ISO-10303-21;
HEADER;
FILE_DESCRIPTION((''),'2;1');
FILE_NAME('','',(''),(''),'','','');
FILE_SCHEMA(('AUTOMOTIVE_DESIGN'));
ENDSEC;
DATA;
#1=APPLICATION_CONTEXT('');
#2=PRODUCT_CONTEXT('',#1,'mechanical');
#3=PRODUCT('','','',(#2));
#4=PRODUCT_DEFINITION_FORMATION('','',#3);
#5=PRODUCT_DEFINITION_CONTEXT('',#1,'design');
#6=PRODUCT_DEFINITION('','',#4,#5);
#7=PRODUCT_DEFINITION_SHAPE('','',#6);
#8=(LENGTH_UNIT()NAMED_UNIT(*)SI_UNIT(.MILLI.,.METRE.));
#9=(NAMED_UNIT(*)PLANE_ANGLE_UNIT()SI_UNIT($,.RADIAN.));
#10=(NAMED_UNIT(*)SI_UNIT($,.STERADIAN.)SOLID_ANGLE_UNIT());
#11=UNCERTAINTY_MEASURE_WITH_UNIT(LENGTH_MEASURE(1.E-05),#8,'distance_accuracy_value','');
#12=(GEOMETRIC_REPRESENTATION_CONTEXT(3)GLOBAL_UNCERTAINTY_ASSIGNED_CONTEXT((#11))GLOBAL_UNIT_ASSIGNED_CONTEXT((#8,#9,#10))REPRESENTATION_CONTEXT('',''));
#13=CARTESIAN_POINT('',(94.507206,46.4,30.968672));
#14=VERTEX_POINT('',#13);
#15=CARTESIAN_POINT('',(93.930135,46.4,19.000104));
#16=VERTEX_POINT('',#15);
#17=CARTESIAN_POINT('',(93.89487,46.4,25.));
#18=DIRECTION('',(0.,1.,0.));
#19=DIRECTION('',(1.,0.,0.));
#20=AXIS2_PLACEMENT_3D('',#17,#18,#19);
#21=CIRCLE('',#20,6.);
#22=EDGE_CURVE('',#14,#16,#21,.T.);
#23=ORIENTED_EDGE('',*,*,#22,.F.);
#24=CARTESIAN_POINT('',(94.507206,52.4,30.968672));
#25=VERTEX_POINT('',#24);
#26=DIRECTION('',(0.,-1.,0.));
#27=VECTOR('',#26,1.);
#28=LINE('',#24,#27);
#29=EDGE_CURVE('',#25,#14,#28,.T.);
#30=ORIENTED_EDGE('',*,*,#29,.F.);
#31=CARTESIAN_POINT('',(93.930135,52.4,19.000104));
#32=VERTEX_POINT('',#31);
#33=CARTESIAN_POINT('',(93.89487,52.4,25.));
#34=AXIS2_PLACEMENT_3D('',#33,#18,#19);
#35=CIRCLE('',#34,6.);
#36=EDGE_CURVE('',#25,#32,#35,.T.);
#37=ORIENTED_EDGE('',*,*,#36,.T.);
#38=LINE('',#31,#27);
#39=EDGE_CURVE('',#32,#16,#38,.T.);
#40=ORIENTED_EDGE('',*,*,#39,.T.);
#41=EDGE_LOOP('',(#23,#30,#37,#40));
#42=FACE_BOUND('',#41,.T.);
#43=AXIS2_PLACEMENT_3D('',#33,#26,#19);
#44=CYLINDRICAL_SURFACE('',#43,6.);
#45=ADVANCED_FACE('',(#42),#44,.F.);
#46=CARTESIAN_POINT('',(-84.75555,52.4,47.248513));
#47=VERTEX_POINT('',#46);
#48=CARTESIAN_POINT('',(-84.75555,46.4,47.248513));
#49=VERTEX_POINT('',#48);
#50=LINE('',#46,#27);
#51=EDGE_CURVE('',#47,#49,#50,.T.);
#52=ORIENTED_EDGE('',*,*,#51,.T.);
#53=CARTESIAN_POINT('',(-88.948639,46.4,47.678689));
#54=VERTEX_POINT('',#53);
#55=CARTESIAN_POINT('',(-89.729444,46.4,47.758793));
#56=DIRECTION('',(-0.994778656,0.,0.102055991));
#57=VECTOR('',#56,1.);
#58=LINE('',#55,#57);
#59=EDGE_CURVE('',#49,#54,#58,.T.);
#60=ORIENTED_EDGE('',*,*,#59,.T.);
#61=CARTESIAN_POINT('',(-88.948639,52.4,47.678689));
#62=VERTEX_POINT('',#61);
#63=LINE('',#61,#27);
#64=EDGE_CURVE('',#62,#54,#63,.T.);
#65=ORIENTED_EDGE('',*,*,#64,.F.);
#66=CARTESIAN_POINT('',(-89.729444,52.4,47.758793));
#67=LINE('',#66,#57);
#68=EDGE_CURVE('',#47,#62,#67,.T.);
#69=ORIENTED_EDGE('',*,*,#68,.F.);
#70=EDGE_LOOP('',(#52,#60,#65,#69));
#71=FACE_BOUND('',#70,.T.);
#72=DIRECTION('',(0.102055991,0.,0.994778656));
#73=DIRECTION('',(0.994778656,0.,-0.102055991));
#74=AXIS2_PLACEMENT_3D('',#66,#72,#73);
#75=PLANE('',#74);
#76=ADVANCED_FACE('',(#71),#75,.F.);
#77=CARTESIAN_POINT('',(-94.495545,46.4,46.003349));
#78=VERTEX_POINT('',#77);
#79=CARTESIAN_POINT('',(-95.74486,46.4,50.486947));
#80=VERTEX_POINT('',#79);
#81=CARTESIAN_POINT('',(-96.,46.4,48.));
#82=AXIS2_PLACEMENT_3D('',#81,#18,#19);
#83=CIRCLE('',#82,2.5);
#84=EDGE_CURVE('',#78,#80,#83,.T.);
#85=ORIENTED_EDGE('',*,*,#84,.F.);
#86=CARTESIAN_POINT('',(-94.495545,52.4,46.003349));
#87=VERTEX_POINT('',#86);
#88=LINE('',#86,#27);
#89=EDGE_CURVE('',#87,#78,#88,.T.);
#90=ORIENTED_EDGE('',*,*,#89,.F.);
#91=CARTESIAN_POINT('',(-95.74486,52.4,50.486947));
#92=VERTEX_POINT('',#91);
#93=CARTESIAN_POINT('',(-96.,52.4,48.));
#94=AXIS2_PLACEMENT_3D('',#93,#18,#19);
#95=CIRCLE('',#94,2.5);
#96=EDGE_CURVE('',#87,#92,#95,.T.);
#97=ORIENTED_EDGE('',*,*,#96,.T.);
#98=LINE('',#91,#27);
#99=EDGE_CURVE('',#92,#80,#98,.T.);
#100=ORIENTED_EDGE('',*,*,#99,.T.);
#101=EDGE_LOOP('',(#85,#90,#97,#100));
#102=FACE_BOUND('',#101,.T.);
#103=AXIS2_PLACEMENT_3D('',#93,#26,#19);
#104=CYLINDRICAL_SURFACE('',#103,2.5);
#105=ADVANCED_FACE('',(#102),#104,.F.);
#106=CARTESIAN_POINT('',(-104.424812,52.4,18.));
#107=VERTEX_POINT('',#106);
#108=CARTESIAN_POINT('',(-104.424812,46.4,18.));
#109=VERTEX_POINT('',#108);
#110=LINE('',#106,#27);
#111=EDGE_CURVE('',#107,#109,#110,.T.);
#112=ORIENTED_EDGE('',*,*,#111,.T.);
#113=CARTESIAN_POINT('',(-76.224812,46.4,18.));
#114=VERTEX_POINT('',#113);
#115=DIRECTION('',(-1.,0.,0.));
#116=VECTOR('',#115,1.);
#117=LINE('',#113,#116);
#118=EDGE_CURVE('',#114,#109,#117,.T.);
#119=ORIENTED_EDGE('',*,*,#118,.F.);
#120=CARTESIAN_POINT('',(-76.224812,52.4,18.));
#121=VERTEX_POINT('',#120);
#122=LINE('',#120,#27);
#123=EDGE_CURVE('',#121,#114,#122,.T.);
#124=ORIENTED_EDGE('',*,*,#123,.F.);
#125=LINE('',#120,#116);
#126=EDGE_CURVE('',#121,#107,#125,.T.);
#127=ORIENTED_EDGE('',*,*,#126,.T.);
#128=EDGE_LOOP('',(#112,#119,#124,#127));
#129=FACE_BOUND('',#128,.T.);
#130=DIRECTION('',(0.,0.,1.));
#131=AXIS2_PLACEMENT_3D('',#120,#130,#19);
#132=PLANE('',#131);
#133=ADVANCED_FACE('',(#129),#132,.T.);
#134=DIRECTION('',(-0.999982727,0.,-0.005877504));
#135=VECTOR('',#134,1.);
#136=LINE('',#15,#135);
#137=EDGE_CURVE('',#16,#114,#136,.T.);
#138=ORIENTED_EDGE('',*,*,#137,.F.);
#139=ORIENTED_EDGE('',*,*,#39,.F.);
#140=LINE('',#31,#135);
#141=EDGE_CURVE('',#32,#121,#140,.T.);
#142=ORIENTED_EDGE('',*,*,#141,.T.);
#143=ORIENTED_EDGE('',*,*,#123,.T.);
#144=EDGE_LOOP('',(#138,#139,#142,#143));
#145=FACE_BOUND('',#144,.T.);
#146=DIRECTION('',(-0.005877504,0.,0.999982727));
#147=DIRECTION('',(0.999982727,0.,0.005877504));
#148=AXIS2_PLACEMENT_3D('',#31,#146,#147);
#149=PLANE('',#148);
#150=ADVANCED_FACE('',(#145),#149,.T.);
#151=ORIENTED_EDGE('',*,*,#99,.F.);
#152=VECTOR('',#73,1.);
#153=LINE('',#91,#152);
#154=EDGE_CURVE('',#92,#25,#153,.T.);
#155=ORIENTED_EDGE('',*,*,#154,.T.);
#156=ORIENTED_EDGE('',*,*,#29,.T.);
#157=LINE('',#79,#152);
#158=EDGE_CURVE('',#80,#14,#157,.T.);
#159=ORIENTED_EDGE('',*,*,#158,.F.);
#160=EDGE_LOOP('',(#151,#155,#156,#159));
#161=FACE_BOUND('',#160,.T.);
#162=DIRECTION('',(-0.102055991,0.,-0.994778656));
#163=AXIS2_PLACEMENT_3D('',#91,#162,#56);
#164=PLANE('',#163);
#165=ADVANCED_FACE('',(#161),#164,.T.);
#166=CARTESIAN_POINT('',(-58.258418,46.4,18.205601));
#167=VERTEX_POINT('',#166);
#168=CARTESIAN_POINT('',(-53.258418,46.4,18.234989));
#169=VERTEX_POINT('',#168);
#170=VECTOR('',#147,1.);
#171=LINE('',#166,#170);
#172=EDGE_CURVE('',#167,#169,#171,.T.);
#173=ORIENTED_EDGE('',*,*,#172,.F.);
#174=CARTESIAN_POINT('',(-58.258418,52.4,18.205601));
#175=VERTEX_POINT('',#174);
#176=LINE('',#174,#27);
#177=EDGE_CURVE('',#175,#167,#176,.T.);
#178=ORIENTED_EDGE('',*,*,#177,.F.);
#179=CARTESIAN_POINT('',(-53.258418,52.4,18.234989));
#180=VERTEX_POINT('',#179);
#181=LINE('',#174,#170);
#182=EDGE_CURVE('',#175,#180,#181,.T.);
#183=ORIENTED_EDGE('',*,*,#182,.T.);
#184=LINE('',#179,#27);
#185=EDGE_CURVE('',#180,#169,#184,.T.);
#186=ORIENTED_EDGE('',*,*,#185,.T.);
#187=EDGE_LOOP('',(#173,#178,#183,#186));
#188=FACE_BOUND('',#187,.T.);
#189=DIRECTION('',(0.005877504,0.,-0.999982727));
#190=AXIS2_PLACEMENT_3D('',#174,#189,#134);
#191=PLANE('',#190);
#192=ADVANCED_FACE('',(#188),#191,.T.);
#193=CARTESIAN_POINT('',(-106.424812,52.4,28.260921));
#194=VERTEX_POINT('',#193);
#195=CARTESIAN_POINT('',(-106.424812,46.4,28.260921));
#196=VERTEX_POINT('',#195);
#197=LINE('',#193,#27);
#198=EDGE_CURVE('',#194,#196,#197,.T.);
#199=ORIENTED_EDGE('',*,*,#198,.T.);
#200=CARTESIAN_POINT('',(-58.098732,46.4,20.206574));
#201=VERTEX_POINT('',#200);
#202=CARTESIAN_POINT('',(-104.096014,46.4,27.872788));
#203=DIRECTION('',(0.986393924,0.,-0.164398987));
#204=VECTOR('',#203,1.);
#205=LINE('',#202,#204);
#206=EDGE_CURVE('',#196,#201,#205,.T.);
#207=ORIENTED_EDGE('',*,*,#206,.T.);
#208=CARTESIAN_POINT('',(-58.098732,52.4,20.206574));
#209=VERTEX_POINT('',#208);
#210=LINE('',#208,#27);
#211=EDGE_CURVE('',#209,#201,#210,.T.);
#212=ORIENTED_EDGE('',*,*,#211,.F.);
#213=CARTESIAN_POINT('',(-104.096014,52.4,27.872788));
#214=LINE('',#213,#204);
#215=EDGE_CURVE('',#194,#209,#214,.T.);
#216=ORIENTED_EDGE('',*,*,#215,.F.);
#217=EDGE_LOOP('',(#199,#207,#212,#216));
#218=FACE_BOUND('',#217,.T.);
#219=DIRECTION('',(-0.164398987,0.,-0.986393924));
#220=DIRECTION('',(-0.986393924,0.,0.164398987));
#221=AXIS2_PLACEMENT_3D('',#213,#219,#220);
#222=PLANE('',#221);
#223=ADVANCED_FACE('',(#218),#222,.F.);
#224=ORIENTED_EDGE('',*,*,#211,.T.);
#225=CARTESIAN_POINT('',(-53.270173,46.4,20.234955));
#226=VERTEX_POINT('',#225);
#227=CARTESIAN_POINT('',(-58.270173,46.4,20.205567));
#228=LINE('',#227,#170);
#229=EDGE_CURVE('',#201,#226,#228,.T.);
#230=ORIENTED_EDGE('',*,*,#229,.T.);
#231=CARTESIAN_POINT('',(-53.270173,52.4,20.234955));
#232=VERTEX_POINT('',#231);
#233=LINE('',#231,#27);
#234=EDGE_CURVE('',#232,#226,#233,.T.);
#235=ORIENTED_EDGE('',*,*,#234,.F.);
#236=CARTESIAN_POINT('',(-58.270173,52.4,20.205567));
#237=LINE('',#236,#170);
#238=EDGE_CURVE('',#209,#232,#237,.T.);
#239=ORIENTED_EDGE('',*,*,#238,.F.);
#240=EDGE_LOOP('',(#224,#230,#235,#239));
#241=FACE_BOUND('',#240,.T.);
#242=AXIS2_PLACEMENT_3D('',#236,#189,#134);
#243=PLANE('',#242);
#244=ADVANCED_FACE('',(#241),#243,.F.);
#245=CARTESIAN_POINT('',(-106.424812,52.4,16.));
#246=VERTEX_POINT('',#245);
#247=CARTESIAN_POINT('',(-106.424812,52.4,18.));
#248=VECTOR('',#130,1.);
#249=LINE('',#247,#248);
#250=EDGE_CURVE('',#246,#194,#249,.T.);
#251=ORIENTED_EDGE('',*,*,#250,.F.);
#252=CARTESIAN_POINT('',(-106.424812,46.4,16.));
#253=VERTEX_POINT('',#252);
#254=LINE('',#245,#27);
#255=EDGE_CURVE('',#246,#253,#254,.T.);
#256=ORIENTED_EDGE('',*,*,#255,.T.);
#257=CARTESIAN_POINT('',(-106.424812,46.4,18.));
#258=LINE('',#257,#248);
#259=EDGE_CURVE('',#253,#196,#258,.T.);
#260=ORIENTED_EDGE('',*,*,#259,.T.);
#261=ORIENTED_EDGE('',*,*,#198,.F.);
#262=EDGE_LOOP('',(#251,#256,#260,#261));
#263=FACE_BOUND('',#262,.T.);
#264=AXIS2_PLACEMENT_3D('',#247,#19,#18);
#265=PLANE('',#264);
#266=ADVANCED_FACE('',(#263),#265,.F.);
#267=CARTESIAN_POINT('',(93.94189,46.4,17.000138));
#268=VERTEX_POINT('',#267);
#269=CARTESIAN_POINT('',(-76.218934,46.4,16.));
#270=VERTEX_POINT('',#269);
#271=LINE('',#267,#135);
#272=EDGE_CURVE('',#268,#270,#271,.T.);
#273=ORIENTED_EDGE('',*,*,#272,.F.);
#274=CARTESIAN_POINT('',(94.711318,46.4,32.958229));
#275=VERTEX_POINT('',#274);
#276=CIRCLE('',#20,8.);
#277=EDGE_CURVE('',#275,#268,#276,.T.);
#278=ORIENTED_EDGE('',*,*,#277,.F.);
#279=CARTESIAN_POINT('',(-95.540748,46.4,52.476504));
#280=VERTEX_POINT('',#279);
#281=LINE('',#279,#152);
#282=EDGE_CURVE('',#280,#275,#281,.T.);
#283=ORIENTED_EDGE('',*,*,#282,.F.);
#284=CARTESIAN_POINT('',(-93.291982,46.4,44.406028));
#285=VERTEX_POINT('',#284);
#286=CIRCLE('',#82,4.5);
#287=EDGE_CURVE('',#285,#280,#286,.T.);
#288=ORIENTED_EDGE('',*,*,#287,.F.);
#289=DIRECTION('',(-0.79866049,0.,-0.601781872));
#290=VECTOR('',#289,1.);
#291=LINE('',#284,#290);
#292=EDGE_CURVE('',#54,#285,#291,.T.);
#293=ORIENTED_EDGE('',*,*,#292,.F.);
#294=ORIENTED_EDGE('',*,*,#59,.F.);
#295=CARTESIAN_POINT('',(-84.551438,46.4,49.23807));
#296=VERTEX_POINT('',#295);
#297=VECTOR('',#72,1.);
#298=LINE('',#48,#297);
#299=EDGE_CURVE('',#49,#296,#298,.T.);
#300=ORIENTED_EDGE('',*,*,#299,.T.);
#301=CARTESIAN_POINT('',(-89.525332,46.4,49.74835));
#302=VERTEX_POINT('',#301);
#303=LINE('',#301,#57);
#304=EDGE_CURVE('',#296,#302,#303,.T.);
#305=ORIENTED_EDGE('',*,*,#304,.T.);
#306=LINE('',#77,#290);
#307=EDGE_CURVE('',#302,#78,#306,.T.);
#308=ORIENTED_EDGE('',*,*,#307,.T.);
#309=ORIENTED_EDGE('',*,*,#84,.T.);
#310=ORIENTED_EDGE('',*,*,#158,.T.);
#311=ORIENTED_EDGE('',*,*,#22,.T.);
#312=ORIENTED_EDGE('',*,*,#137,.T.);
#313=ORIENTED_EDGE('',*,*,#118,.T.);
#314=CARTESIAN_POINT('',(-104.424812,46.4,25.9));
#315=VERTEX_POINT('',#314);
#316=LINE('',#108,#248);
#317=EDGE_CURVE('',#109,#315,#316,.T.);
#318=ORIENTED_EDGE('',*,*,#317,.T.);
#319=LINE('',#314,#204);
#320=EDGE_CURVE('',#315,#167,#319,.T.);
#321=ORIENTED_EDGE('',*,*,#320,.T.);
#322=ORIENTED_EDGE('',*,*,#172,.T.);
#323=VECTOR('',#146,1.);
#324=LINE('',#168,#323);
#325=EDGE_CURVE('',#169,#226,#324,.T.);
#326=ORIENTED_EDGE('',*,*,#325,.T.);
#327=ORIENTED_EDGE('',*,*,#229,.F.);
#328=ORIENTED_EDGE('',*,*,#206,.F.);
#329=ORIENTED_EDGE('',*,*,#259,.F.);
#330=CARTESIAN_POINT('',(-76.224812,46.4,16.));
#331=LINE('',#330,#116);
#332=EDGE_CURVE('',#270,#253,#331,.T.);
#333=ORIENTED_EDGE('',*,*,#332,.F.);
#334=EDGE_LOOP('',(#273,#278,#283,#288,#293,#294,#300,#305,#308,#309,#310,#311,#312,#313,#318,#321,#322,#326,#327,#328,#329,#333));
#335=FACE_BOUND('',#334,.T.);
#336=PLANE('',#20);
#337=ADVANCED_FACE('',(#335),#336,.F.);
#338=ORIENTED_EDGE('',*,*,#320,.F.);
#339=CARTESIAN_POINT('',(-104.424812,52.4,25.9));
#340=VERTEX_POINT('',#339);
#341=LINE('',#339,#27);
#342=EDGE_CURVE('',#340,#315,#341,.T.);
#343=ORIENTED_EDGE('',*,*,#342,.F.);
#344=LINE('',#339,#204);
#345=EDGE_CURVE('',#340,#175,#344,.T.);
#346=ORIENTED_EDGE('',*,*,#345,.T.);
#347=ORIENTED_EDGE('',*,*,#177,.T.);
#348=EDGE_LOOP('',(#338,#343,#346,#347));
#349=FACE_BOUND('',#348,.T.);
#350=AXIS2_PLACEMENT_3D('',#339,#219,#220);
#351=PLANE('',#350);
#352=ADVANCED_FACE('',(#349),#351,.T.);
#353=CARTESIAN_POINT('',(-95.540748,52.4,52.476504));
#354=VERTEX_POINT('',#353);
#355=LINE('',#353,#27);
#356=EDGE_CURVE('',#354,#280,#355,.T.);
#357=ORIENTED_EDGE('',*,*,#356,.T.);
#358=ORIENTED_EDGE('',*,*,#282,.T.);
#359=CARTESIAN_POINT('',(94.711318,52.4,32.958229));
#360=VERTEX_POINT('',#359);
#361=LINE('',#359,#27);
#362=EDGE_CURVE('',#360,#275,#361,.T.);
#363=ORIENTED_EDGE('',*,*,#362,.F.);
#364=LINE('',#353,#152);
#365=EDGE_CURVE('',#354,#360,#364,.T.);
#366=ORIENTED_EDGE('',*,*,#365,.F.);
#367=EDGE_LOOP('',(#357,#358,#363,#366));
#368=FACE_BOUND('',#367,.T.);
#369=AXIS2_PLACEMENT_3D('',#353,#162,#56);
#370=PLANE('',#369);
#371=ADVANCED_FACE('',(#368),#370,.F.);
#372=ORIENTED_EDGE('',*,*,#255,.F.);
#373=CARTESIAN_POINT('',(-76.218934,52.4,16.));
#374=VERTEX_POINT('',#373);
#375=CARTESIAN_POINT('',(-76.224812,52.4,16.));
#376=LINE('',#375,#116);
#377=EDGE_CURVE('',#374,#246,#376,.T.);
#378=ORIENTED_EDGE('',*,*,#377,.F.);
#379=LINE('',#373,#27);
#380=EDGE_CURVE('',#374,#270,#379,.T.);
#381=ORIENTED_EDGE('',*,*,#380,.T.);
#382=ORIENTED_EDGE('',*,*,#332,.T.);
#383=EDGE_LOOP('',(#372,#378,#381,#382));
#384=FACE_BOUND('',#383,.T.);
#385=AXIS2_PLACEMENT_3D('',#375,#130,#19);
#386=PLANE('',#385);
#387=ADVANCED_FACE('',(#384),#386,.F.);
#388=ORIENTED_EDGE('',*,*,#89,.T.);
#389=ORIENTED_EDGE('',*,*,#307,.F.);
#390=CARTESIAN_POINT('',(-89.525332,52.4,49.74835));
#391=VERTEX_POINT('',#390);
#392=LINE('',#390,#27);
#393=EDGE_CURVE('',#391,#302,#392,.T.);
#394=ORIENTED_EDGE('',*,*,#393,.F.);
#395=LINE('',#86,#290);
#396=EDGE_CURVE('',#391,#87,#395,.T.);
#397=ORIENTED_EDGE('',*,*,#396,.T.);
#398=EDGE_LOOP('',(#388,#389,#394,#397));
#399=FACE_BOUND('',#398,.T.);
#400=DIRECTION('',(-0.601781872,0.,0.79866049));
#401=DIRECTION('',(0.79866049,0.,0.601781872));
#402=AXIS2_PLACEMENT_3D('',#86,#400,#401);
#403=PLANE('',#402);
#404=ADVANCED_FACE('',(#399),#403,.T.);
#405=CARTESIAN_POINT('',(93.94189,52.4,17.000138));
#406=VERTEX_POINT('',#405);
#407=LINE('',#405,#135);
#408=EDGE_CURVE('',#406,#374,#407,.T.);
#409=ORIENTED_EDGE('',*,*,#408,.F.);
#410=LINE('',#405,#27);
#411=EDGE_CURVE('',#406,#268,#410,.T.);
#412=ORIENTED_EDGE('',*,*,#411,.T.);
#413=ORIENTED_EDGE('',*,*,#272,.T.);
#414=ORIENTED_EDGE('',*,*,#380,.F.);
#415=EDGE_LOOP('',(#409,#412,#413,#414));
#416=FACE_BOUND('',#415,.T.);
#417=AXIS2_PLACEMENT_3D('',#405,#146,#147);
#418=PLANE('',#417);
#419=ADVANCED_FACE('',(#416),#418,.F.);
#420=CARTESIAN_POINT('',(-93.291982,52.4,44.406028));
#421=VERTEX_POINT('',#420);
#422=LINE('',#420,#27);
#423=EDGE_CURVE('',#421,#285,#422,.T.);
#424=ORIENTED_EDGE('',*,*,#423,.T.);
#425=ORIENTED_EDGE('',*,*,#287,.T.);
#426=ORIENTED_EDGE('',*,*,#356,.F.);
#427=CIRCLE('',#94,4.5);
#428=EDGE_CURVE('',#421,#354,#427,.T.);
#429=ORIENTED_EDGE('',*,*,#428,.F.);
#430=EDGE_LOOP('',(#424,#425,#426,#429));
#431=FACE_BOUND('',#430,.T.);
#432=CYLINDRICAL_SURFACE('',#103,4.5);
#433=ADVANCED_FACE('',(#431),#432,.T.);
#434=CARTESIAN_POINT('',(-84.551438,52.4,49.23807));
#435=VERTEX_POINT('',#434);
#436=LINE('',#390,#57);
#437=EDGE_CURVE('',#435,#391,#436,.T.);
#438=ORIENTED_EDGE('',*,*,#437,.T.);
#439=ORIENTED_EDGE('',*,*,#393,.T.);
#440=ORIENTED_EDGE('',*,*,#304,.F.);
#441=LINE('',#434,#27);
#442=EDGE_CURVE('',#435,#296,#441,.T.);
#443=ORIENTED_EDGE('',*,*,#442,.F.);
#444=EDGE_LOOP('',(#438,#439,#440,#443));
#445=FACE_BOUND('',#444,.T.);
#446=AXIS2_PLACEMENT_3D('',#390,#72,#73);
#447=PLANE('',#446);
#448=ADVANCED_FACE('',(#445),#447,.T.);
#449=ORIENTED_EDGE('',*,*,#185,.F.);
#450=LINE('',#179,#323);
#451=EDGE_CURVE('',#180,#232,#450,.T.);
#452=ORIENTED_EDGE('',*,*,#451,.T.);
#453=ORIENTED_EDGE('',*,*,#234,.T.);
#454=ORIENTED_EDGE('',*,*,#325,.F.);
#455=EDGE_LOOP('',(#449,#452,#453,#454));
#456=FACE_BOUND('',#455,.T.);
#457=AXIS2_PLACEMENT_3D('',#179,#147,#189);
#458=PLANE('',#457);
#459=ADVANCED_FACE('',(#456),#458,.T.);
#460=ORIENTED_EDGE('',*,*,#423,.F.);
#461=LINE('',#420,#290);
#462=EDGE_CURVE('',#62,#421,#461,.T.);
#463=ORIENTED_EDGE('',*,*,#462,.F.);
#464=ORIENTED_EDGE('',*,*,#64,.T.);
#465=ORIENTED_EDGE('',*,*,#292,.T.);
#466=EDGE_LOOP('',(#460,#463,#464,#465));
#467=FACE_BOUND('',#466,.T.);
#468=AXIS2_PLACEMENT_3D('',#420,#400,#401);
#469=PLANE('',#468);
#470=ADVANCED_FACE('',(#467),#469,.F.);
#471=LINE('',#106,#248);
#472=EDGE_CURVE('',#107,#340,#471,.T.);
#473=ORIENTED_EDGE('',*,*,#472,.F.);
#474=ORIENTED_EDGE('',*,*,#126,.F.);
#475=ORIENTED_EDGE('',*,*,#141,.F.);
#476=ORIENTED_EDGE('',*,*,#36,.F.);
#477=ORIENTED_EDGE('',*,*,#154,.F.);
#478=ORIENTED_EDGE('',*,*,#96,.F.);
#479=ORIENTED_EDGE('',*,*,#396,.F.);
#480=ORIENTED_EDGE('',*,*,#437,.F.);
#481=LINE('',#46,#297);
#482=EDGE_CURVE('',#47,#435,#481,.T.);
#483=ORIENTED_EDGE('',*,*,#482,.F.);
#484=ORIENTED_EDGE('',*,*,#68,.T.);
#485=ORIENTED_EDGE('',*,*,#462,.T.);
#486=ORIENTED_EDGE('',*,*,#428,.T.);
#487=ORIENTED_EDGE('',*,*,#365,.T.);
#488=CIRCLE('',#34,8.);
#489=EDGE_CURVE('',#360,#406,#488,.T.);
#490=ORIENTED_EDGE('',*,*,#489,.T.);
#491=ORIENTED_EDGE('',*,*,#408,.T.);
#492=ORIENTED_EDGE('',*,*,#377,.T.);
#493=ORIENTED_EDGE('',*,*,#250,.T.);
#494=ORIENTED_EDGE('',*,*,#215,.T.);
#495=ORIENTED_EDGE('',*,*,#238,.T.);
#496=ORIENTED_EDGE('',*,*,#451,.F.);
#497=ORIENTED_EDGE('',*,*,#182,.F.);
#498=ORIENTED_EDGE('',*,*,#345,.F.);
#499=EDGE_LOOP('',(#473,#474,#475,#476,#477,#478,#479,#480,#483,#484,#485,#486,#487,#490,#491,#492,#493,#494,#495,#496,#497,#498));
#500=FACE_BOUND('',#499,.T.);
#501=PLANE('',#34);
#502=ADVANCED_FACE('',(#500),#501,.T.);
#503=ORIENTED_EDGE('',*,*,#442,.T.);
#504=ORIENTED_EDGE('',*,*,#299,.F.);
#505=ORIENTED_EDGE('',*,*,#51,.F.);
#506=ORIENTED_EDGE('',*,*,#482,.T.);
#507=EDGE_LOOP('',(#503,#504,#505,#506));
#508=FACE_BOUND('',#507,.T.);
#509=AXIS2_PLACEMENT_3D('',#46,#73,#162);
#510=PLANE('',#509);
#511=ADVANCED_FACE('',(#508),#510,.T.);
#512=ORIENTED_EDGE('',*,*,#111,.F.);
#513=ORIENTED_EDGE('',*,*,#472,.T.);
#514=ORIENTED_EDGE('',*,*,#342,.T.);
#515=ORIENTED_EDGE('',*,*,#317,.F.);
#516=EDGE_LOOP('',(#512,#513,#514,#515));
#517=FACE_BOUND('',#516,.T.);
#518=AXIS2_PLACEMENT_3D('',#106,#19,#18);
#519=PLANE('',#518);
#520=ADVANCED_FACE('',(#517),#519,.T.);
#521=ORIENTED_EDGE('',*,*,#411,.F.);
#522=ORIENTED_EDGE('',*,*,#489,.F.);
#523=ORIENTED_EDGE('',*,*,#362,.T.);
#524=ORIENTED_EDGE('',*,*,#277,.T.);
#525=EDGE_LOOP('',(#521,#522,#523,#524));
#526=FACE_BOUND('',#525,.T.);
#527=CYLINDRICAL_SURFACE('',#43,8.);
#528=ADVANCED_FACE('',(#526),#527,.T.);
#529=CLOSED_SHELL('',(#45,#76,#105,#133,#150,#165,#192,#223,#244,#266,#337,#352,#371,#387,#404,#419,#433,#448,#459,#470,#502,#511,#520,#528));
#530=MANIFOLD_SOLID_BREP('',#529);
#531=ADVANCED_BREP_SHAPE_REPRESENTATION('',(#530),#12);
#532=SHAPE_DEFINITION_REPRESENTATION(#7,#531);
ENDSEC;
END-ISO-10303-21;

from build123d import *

# Parameters (mm, degrees)
EXTRUDE_THIN1_DEPTH = 3


with BuildPart() as part:
    # Sketch1 → Extrude-Thin1 (new, symmetric)
    with BuildSketch(Plane(origin=(0, 49.4, 0), x_dir=(1, 0, 0), z_dir=(0, 1, 0))):
        with BuildLine():
            Line((-84.551438274, -49.238070078), (-89.525331555, -49.748350033))
            Line((-89.525331555, -49.748350033), (-94.495545321, -46.003348774))
            ThreePointArc((-94.495545321, -46.003348774), (-98.408257834, -47.328960356), (-95.744860023, -50.48694664))
            Line((-95.744860023, -50.48694664), (94.507205544, -30.968671937))
            ThreePointArc((94.507205544, -30.968671937), (99.887907521, -24.711042471), (93.930134621, -19.000103636))
            Line((93.930134621, -19.000103636), (-76.224811758, -18))
            Line((-76.224811758, -18), (-104.424811758, -18))
            Line((-104.424811758, -18), (-104.424811758, -25.9))
            Line((-104.424811758, -25.9), (-58.25841835, -18.205601099))
            Line((-58.25841835, -18.205601099), (-53.25841835, -18.234989126))
            Line((-53.25841835, -18.234989126), (-53.270173358, -20.23495458))
            Line((-53.270173358, -20.23495458), (-58.098732005, -20.206574218))
            Line((-58.098732005, -20.206574218), (-106.424811758, -28.260920843))
            Line((-106.424811758, -28.260920843), (-106.424811758, -16))
            Line((-106.424811758, -16), (-76.218934203, -16))
            Line((-76.218934203, -16), (93.941889629, -17.000138181))
            ThreePointArc((93.941889629, -17.000138181), (101.885586829, -24.614723295), (94.711317525, -32.958229249))
            Line((94.711317525, -32.958229249), (-95.540748041, -52.476503953))
            ThreePointArc((-95.540748041, -52.476503953), (-100.334864102, -46.79212864), (-93.291981578, -44.406027793))
            Line((-93.291981578, -44.406027793), (-88.948638808, -47.678688669))
            Line((-88.948638808, -47.678688669), (-84.755550256, -47.248512766))
            Line((-84.755550256, -47.248512766), (-84.551438274, -49.238070078))
        make_face()
    extrude(amount=EXTRUDE_THIN1_DEPTH, both=True)


solid = part.part
